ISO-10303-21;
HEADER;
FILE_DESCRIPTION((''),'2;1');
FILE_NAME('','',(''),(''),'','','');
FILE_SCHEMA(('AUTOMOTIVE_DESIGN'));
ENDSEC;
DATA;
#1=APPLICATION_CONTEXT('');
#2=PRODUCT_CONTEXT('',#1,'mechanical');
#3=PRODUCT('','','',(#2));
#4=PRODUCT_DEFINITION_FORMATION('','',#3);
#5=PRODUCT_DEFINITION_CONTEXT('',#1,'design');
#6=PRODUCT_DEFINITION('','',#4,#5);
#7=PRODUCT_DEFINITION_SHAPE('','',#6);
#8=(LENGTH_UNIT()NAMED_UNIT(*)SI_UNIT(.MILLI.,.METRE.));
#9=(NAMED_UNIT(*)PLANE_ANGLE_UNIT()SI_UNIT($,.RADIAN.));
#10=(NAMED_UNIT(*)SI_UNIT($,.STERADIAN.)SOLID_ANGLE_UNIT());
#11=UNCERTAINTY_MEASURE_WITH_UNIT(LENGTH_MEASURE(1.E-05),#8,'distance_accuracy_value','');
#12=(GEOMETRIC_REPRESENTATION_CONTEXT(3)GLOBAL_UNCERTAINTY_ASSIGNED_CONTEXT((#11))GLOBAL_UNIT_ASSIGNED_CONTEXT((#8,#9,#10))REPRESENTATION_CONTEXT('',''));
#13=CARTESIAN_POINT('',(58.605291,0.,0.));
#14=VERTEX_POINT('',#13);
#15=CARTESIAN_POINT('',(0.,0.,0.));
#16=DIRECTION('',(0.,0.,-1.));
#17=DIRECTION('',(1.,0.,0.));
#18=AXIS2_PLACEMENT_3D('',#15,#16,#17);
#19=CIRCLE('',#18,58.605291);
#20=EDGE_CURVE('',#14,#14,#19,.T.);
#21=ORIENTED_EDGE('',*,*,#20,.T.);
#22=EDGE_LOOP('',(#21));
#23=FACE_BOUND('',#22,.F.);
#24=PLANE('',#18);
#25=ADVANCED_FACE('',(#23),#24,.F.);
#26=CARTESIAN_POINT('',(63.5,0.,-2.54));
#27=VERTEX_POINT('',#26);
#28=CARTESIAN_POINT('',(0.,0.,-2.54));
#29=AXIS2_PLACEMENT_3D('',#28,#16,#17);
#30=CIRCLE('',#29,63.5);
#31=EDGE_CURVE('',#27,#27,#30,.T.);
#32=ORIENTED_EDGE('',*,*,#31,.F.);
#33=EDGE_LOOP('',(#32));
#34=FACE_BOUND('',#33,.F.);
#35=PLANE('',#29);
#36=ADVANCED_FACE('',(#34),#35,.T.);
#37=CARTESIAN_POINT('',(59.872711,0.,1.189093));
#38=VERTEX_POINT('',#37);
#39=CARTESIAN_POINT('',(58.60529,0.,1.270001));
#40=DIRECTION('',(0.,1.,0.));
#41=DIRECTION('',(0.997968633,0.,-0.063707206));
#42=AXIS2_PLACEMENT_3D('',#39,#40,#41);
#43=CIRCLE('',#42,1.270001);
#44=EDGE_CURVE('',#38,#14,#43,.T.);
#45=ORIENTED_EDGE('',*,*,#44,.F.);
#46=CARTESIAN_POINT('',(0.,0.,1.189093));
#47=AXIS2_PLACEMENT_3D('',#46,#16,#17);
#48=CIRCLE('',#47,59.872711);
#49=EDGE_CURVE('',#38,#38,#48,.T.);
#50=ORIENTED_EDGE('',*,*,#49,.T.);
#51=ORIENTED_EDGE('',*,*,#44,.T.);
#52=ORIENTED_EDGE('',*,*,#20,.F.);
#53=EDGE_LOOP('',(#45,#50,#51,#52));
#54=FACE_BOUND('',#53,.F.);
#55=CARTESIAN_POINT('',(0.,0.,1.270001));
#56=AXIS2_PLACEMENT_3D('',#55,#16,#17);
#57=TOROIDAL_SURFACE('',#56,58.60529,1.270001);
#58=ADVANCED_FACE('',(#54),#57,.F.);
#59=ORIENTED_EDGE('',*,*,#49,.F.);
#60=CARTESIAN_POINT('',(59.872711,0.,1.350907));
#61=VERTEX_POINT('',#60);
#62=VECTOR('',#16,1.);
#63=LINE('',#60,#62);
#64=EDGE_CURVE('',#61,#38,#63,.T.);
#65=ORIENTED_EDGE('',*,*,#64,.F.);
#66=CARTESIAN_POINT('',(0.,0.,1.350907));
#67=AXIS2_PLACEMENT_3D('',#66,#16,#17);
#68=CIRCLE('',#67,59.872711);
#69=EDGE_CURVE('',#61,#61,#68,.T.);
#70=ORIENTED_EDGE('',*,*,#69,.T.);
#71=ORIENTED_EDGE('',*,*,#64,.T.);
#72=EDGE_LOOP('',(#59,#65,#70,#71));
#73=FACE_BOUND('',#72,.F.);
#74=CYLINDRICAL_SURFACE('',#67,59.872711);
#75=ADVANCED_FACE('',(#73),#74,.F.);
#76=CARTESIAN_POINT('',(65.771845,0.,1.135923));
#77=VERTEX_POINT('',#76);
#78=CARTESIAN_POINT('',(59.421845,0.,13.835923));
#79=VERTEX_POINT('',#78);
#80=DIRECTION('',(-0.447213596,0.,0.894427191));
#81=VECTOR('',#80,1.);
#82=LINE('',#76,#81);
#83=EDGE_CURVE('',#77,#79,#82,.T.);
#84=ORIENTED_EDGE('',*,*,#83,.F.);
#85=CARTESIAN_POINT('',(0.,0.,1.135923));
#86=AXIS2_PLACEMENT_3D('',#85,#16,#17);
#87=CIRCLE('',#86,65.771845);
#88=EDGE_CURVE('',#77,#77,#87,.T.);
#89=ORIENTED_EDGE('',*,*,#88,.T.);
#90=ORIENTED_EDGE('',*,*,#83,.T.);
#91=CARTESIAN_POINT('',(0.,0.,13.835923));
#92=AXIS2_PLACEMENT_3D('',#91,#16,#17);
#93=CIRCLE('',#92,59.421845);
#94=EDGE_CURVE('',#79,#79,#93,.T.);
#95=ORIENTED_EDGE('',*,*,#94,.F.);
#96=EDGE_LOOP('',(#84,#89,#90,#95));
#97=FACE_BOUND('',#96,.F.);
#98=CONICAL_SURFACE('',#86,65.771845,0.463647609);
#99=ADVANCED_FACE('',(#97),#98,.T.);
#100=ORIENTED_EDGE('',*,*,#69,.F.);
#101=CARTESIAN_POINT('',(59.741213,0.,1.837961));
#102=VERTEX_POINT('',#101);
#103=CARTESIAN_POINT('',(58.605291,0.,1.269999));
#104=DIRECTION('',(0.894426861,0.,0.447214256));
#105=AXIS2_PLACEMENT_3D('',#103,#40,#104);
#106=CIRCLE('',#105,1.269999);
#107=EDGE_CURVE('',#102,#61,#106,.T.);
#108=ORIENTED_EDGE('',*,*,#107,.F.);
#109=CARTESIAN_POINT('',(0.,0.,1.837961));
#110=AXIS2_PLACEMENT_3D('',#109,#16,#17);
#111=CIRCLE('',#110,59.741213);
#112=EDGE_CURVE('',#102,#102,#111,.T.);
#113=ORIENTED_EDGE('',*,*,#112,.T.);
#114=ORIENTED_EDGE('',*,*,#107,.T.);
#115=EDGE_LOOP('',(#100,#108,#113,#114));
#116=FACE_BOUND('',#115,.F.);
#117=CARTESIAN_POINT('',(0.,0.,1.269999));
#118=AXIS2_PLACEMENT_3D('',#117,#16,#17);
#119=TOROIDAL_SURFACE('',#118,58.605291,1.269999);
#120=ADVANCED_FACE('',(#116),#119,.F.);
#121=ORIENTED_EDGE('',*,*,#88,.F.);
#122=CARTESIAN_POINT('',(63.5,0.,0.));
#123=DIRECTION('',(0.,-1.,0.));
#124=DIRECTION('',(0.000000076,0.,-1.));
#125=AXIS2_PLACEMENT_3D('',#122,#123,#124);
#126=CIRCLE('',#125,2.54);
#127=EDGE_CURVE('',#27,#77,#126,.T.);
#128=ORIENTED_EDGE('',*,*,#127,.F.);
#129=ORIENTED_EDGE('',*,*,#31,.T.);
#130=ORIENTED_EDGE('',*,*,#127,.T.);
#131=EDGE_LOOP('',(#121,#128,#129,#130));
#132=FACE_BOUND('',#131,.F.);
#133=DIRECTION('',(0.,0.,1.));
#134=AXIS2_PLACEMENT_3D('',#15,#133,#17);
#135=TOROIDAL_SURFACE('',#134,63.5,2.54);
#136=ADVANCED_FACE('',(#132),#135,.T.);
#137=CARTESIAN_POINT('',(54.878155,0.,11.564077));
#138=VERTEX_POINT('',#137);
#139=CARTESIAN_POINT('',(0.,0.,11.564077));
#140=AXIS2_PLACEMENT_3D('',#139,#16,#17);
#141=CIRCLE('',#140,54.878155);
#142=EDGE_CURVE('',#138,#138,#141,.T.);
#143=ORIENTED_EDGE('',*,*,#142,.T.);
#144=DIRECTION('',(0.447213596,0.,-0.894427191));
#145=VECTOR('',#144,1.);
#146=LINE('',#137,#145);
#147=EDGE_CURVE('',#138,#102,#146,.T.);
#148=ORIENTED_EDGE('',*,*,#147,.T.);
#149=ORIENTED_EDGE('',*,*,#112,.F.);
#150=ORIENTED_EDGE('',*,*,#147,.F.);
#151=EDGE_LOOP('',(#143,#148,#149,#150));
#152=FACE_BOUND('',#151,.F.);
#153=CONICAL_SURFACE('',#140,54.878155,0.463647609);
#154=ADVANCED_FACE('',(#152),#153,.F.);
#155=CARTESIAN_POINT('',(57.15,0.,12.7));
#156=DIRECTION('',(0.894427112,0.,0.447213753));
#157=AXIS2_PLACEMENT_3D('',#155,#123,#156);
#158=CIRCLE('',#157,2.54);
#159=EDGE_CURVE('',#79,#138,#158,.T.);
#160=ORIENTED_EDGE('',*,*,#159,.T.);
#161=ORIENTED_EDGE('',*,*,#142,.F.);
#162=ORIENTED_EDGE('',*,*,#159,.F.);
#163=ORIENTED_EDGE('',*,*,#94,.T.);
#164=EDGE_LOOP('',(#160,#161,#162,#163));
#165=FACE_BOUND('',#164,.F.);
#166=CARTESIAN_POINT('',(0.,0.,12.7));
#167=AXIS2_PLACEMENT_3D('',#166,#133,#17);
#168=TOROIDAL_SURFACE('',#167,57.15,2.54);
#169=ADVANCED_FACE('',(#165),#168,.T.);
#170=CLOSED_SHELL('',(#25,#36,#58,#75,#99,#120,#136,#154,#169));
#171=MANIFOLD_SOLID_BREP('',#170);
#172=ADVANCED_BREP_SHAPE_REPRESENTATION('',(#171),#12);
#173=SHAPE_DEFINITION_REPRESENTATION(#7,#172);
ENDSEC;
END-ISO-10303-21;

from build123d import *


with BuildPart() as f4:
    # F3 (on Front) → F4 (revolve)
    with BuildSketch(Plane.XZ):
        with BuildLine():
            Line((65.771845, 1.135923), (59.421845, 13.835923))
            ThreePointArc((59.421845, 13.835923), (56.014077, 14.971845), (54.878155, 11.564077))
            Line((54.878155, 11.564077), (59.741213, 1.837961))
            ThreePointArc((59.741213, 1.837961), (59.83139, 1.601029), (59.872711, 1.350907))
            ThreePointArc((59.872711, 1.350907), (59.875291, 1.27), (59.872711, 1.189093))
            Line((59.872711, 1.189093), (59.872711, 0))
            Line((59.872711, 0), (59.872711, -2.54))
            Line((59.872711, -2.54), (63.5, -2.54))
            ThreePointArc((63.5, -2.54), (65.660653, -1.335357), (65.771845, 1.135923))
        make_face()
        with BuildLine():
            ThreePointArc((59.872711, 1.189093), (59.875291, 1.27), (59.872711, 1.350907))
            Line((59.872711, 1.350907), (59.872711, 1.189093))
        make_face()
        Polygon((0, -2.54), (59.872711, -2.54), (59.872711, 0), (58.605291, 0), (0, 0), align=None)
        with BuildLine():
            Line((59.872711, 0), (59.872711, 1.189093))
            ThreePointArc((59.872711, 1.189093), (59.47424, 0.343811), (58.605291, 0))
            Line((58.605291, 0), (59.872711, 0))
        make_face()
    revolve(axis=Axis((0, 0, -1.27), (0, 0, -1)))


solid = f4.part
